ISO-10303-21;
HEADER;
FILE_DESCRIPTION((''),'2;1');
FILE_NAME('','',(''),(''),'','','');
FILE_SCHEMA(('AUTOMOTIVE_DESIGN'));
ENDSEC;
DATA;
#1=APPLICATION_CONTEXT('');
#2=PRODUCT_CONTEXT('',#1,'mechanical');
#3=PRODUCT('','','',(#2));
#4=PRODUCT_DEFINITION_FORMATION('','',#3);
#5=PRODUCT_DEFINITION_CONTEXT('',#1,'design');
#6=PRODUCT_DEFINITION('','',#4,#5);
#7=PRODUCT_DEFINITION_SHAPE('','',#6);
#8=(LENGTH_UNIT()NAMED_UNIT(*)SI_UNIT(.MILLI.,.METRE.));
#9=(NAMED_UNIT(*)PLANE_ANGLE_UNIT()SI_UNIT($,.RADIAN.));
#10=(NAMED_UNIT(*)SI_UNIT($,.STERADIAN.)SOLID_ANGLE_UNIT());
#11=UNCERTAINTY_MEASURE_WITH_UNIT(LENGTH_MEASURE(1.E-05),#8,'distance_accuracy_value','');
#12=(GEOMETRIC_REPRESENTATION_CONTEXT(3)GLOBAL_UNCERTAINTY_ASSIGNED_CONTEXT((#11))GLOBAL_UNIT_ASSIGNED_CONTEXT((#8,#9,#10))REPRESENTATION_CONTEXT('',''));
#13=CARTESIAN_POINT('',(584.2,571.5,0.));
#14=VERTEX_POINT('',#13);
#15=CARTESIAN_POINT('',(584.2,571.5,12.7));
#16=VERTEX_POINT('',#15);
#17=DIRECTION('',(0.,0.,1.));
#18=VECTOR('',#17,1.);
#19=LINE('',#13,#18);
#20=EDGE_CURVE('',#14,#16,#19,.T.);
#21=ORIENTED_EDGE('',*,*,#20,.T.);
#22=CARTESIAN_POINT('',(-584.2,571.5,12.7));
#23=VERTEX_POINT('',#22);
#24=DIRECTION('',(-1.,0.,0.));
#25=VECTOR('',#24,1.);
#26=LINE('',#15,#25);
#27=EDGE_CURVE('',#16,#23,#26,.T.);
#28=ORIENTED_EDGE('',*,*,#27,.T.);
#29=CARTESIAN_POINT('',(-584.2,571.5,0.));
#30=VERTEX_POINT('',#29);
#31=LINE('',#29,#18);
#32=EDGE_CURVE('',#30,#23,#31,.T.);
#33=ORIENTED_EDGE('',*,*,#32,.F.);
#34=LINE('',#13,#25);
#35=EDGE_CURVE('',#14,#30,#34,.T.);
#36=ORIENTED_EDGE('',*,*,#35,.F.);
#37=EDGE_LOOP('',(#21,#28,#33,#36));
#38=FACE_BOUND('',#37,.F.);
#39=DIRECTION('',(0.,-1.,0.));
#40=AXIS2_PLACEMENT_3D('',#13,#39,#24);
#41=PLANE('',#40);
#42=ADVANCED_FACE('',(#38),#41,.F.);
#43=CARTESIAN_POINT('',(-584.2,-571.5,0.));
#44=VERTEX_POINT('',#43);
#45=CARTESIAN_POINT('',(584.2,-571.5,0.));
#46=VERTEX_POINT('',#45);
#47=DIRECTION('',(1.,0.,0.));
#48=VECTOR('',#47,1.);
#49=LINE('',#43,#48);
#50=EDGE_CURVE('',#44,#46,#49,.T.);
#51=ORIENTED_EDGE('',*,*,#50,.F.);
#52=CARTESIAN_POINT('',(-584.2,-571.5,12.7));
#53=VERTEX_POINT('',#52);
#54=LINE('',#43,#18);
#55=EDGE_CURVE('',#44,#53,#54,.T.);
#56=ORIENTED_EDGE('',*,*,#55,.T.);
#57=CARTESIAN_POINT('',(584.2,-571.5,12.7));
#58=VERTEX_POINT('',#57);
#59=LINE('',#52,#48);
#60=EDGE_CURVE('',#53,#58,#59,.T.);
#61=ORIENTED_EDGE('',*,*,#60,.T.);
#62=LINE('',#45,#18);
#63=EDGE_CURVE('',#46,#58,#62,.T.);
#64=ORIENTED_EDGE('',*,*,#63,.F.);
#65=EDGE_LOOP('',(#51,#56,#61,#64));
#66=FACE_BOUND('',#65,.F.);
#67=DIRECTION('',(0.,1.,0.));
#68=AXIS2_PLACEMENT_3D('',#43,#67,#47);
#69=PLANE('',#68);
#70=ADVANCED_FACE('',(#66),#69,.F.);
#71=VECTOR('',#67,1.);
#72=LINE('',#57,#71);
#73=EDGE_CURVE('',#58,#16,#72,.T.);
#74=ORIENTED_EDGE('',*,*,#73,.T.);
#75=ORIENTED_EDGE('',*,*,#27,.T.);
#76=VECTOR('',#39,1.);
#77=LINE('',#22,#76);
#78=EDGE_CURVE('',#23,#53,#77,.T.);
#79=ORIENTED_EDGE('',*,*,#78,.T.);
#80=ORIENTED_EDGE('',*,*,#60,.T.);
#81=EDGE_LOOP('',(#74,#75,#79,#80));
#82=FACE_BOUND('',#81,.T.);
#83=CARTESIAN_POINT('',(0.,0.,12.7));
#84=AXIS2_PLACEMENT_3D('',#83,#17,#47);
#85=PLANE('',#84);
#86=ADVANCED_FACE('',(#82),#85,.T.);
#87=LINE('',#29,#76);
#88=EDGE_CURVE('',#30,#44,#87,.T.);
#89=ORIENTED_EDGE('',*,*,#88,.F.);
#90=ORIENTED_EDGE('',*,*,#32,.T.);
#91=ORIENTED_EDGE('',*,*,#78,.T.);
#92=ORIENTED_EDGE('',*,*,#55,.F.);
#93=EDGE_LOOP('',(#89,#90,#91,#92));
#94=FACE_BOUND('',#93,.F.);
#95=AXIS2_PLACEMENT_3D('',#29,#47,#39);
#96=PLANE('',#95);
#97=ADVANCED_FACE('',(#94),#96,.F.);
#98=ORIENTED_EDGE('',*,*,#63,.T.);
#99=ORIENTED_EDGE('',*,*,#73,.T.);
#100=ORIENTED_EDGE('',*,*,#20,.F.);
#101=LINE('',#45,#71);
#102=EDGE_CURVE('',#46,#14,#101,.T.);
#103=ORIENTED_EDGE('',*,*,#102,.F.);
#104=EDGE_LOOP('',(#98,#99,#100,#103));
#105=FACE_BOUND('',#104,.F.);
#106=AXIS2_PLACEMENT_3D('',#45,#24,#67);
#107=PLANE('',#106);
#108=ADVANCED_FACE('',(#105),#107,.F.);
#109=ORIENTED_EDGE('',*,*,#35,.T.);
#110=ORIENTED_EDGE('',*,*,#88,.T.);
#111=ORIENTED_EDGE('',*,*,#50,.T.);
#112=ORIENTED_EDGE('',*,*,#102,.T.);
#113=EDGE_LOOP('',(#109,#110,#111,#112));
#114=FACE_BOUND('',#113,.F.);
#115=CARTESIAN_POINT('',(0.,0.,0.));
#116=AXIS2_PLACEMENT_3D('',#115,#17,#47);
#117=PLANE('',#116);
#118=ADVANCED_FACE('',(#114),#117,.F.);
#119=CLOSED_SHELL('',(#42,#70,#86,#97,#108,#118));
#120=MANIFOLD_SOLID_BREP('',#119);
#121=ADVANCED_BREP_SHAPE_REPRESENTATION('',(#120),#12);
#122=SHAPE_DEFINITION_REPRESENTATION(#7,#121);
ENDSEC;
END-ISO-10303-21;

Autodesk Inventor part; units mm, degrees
ref_plane "YZ Plane" through (0, 0, 0) normal (1, 0, 0) x (0, 1, 0)
ref_plane "XZ Plane" through (0, 0, 0) normal (0, 1, 0) x (-1, 0, 0)
ref_plane "XY Plane" through (0, 0, 0) normal (0, 0, 1) x (1, 0, 0)
sketch "Sketch1" plane through (0, 0, 0) normal (0, 0, 1) x (1, 0, 0)
  line L0 (-584.2, -571.5) -> (584.2, -571.5)
  line L1 (584.2, -571.5) -> (584.2, 571.5)
  line L2 (584.2, 571.5) -> (-584.2, 571.5)
  line L3 (-584.2, 571.5) -> (-584.2, -571.5)
  line L4 (-584.2, -571.5) -> (584.2, 571.5) construction
  line L5 (584.2, -571.5) -> (-584.2, 571.5) construction
  point P0 (0, 0)
  dimension "d0" = 1168.4
  dimension "d1" = 1143
extrude "Extrusion1" add sketch "Sketch1" along normal blind 12.7
properties part number "right_0_0"
